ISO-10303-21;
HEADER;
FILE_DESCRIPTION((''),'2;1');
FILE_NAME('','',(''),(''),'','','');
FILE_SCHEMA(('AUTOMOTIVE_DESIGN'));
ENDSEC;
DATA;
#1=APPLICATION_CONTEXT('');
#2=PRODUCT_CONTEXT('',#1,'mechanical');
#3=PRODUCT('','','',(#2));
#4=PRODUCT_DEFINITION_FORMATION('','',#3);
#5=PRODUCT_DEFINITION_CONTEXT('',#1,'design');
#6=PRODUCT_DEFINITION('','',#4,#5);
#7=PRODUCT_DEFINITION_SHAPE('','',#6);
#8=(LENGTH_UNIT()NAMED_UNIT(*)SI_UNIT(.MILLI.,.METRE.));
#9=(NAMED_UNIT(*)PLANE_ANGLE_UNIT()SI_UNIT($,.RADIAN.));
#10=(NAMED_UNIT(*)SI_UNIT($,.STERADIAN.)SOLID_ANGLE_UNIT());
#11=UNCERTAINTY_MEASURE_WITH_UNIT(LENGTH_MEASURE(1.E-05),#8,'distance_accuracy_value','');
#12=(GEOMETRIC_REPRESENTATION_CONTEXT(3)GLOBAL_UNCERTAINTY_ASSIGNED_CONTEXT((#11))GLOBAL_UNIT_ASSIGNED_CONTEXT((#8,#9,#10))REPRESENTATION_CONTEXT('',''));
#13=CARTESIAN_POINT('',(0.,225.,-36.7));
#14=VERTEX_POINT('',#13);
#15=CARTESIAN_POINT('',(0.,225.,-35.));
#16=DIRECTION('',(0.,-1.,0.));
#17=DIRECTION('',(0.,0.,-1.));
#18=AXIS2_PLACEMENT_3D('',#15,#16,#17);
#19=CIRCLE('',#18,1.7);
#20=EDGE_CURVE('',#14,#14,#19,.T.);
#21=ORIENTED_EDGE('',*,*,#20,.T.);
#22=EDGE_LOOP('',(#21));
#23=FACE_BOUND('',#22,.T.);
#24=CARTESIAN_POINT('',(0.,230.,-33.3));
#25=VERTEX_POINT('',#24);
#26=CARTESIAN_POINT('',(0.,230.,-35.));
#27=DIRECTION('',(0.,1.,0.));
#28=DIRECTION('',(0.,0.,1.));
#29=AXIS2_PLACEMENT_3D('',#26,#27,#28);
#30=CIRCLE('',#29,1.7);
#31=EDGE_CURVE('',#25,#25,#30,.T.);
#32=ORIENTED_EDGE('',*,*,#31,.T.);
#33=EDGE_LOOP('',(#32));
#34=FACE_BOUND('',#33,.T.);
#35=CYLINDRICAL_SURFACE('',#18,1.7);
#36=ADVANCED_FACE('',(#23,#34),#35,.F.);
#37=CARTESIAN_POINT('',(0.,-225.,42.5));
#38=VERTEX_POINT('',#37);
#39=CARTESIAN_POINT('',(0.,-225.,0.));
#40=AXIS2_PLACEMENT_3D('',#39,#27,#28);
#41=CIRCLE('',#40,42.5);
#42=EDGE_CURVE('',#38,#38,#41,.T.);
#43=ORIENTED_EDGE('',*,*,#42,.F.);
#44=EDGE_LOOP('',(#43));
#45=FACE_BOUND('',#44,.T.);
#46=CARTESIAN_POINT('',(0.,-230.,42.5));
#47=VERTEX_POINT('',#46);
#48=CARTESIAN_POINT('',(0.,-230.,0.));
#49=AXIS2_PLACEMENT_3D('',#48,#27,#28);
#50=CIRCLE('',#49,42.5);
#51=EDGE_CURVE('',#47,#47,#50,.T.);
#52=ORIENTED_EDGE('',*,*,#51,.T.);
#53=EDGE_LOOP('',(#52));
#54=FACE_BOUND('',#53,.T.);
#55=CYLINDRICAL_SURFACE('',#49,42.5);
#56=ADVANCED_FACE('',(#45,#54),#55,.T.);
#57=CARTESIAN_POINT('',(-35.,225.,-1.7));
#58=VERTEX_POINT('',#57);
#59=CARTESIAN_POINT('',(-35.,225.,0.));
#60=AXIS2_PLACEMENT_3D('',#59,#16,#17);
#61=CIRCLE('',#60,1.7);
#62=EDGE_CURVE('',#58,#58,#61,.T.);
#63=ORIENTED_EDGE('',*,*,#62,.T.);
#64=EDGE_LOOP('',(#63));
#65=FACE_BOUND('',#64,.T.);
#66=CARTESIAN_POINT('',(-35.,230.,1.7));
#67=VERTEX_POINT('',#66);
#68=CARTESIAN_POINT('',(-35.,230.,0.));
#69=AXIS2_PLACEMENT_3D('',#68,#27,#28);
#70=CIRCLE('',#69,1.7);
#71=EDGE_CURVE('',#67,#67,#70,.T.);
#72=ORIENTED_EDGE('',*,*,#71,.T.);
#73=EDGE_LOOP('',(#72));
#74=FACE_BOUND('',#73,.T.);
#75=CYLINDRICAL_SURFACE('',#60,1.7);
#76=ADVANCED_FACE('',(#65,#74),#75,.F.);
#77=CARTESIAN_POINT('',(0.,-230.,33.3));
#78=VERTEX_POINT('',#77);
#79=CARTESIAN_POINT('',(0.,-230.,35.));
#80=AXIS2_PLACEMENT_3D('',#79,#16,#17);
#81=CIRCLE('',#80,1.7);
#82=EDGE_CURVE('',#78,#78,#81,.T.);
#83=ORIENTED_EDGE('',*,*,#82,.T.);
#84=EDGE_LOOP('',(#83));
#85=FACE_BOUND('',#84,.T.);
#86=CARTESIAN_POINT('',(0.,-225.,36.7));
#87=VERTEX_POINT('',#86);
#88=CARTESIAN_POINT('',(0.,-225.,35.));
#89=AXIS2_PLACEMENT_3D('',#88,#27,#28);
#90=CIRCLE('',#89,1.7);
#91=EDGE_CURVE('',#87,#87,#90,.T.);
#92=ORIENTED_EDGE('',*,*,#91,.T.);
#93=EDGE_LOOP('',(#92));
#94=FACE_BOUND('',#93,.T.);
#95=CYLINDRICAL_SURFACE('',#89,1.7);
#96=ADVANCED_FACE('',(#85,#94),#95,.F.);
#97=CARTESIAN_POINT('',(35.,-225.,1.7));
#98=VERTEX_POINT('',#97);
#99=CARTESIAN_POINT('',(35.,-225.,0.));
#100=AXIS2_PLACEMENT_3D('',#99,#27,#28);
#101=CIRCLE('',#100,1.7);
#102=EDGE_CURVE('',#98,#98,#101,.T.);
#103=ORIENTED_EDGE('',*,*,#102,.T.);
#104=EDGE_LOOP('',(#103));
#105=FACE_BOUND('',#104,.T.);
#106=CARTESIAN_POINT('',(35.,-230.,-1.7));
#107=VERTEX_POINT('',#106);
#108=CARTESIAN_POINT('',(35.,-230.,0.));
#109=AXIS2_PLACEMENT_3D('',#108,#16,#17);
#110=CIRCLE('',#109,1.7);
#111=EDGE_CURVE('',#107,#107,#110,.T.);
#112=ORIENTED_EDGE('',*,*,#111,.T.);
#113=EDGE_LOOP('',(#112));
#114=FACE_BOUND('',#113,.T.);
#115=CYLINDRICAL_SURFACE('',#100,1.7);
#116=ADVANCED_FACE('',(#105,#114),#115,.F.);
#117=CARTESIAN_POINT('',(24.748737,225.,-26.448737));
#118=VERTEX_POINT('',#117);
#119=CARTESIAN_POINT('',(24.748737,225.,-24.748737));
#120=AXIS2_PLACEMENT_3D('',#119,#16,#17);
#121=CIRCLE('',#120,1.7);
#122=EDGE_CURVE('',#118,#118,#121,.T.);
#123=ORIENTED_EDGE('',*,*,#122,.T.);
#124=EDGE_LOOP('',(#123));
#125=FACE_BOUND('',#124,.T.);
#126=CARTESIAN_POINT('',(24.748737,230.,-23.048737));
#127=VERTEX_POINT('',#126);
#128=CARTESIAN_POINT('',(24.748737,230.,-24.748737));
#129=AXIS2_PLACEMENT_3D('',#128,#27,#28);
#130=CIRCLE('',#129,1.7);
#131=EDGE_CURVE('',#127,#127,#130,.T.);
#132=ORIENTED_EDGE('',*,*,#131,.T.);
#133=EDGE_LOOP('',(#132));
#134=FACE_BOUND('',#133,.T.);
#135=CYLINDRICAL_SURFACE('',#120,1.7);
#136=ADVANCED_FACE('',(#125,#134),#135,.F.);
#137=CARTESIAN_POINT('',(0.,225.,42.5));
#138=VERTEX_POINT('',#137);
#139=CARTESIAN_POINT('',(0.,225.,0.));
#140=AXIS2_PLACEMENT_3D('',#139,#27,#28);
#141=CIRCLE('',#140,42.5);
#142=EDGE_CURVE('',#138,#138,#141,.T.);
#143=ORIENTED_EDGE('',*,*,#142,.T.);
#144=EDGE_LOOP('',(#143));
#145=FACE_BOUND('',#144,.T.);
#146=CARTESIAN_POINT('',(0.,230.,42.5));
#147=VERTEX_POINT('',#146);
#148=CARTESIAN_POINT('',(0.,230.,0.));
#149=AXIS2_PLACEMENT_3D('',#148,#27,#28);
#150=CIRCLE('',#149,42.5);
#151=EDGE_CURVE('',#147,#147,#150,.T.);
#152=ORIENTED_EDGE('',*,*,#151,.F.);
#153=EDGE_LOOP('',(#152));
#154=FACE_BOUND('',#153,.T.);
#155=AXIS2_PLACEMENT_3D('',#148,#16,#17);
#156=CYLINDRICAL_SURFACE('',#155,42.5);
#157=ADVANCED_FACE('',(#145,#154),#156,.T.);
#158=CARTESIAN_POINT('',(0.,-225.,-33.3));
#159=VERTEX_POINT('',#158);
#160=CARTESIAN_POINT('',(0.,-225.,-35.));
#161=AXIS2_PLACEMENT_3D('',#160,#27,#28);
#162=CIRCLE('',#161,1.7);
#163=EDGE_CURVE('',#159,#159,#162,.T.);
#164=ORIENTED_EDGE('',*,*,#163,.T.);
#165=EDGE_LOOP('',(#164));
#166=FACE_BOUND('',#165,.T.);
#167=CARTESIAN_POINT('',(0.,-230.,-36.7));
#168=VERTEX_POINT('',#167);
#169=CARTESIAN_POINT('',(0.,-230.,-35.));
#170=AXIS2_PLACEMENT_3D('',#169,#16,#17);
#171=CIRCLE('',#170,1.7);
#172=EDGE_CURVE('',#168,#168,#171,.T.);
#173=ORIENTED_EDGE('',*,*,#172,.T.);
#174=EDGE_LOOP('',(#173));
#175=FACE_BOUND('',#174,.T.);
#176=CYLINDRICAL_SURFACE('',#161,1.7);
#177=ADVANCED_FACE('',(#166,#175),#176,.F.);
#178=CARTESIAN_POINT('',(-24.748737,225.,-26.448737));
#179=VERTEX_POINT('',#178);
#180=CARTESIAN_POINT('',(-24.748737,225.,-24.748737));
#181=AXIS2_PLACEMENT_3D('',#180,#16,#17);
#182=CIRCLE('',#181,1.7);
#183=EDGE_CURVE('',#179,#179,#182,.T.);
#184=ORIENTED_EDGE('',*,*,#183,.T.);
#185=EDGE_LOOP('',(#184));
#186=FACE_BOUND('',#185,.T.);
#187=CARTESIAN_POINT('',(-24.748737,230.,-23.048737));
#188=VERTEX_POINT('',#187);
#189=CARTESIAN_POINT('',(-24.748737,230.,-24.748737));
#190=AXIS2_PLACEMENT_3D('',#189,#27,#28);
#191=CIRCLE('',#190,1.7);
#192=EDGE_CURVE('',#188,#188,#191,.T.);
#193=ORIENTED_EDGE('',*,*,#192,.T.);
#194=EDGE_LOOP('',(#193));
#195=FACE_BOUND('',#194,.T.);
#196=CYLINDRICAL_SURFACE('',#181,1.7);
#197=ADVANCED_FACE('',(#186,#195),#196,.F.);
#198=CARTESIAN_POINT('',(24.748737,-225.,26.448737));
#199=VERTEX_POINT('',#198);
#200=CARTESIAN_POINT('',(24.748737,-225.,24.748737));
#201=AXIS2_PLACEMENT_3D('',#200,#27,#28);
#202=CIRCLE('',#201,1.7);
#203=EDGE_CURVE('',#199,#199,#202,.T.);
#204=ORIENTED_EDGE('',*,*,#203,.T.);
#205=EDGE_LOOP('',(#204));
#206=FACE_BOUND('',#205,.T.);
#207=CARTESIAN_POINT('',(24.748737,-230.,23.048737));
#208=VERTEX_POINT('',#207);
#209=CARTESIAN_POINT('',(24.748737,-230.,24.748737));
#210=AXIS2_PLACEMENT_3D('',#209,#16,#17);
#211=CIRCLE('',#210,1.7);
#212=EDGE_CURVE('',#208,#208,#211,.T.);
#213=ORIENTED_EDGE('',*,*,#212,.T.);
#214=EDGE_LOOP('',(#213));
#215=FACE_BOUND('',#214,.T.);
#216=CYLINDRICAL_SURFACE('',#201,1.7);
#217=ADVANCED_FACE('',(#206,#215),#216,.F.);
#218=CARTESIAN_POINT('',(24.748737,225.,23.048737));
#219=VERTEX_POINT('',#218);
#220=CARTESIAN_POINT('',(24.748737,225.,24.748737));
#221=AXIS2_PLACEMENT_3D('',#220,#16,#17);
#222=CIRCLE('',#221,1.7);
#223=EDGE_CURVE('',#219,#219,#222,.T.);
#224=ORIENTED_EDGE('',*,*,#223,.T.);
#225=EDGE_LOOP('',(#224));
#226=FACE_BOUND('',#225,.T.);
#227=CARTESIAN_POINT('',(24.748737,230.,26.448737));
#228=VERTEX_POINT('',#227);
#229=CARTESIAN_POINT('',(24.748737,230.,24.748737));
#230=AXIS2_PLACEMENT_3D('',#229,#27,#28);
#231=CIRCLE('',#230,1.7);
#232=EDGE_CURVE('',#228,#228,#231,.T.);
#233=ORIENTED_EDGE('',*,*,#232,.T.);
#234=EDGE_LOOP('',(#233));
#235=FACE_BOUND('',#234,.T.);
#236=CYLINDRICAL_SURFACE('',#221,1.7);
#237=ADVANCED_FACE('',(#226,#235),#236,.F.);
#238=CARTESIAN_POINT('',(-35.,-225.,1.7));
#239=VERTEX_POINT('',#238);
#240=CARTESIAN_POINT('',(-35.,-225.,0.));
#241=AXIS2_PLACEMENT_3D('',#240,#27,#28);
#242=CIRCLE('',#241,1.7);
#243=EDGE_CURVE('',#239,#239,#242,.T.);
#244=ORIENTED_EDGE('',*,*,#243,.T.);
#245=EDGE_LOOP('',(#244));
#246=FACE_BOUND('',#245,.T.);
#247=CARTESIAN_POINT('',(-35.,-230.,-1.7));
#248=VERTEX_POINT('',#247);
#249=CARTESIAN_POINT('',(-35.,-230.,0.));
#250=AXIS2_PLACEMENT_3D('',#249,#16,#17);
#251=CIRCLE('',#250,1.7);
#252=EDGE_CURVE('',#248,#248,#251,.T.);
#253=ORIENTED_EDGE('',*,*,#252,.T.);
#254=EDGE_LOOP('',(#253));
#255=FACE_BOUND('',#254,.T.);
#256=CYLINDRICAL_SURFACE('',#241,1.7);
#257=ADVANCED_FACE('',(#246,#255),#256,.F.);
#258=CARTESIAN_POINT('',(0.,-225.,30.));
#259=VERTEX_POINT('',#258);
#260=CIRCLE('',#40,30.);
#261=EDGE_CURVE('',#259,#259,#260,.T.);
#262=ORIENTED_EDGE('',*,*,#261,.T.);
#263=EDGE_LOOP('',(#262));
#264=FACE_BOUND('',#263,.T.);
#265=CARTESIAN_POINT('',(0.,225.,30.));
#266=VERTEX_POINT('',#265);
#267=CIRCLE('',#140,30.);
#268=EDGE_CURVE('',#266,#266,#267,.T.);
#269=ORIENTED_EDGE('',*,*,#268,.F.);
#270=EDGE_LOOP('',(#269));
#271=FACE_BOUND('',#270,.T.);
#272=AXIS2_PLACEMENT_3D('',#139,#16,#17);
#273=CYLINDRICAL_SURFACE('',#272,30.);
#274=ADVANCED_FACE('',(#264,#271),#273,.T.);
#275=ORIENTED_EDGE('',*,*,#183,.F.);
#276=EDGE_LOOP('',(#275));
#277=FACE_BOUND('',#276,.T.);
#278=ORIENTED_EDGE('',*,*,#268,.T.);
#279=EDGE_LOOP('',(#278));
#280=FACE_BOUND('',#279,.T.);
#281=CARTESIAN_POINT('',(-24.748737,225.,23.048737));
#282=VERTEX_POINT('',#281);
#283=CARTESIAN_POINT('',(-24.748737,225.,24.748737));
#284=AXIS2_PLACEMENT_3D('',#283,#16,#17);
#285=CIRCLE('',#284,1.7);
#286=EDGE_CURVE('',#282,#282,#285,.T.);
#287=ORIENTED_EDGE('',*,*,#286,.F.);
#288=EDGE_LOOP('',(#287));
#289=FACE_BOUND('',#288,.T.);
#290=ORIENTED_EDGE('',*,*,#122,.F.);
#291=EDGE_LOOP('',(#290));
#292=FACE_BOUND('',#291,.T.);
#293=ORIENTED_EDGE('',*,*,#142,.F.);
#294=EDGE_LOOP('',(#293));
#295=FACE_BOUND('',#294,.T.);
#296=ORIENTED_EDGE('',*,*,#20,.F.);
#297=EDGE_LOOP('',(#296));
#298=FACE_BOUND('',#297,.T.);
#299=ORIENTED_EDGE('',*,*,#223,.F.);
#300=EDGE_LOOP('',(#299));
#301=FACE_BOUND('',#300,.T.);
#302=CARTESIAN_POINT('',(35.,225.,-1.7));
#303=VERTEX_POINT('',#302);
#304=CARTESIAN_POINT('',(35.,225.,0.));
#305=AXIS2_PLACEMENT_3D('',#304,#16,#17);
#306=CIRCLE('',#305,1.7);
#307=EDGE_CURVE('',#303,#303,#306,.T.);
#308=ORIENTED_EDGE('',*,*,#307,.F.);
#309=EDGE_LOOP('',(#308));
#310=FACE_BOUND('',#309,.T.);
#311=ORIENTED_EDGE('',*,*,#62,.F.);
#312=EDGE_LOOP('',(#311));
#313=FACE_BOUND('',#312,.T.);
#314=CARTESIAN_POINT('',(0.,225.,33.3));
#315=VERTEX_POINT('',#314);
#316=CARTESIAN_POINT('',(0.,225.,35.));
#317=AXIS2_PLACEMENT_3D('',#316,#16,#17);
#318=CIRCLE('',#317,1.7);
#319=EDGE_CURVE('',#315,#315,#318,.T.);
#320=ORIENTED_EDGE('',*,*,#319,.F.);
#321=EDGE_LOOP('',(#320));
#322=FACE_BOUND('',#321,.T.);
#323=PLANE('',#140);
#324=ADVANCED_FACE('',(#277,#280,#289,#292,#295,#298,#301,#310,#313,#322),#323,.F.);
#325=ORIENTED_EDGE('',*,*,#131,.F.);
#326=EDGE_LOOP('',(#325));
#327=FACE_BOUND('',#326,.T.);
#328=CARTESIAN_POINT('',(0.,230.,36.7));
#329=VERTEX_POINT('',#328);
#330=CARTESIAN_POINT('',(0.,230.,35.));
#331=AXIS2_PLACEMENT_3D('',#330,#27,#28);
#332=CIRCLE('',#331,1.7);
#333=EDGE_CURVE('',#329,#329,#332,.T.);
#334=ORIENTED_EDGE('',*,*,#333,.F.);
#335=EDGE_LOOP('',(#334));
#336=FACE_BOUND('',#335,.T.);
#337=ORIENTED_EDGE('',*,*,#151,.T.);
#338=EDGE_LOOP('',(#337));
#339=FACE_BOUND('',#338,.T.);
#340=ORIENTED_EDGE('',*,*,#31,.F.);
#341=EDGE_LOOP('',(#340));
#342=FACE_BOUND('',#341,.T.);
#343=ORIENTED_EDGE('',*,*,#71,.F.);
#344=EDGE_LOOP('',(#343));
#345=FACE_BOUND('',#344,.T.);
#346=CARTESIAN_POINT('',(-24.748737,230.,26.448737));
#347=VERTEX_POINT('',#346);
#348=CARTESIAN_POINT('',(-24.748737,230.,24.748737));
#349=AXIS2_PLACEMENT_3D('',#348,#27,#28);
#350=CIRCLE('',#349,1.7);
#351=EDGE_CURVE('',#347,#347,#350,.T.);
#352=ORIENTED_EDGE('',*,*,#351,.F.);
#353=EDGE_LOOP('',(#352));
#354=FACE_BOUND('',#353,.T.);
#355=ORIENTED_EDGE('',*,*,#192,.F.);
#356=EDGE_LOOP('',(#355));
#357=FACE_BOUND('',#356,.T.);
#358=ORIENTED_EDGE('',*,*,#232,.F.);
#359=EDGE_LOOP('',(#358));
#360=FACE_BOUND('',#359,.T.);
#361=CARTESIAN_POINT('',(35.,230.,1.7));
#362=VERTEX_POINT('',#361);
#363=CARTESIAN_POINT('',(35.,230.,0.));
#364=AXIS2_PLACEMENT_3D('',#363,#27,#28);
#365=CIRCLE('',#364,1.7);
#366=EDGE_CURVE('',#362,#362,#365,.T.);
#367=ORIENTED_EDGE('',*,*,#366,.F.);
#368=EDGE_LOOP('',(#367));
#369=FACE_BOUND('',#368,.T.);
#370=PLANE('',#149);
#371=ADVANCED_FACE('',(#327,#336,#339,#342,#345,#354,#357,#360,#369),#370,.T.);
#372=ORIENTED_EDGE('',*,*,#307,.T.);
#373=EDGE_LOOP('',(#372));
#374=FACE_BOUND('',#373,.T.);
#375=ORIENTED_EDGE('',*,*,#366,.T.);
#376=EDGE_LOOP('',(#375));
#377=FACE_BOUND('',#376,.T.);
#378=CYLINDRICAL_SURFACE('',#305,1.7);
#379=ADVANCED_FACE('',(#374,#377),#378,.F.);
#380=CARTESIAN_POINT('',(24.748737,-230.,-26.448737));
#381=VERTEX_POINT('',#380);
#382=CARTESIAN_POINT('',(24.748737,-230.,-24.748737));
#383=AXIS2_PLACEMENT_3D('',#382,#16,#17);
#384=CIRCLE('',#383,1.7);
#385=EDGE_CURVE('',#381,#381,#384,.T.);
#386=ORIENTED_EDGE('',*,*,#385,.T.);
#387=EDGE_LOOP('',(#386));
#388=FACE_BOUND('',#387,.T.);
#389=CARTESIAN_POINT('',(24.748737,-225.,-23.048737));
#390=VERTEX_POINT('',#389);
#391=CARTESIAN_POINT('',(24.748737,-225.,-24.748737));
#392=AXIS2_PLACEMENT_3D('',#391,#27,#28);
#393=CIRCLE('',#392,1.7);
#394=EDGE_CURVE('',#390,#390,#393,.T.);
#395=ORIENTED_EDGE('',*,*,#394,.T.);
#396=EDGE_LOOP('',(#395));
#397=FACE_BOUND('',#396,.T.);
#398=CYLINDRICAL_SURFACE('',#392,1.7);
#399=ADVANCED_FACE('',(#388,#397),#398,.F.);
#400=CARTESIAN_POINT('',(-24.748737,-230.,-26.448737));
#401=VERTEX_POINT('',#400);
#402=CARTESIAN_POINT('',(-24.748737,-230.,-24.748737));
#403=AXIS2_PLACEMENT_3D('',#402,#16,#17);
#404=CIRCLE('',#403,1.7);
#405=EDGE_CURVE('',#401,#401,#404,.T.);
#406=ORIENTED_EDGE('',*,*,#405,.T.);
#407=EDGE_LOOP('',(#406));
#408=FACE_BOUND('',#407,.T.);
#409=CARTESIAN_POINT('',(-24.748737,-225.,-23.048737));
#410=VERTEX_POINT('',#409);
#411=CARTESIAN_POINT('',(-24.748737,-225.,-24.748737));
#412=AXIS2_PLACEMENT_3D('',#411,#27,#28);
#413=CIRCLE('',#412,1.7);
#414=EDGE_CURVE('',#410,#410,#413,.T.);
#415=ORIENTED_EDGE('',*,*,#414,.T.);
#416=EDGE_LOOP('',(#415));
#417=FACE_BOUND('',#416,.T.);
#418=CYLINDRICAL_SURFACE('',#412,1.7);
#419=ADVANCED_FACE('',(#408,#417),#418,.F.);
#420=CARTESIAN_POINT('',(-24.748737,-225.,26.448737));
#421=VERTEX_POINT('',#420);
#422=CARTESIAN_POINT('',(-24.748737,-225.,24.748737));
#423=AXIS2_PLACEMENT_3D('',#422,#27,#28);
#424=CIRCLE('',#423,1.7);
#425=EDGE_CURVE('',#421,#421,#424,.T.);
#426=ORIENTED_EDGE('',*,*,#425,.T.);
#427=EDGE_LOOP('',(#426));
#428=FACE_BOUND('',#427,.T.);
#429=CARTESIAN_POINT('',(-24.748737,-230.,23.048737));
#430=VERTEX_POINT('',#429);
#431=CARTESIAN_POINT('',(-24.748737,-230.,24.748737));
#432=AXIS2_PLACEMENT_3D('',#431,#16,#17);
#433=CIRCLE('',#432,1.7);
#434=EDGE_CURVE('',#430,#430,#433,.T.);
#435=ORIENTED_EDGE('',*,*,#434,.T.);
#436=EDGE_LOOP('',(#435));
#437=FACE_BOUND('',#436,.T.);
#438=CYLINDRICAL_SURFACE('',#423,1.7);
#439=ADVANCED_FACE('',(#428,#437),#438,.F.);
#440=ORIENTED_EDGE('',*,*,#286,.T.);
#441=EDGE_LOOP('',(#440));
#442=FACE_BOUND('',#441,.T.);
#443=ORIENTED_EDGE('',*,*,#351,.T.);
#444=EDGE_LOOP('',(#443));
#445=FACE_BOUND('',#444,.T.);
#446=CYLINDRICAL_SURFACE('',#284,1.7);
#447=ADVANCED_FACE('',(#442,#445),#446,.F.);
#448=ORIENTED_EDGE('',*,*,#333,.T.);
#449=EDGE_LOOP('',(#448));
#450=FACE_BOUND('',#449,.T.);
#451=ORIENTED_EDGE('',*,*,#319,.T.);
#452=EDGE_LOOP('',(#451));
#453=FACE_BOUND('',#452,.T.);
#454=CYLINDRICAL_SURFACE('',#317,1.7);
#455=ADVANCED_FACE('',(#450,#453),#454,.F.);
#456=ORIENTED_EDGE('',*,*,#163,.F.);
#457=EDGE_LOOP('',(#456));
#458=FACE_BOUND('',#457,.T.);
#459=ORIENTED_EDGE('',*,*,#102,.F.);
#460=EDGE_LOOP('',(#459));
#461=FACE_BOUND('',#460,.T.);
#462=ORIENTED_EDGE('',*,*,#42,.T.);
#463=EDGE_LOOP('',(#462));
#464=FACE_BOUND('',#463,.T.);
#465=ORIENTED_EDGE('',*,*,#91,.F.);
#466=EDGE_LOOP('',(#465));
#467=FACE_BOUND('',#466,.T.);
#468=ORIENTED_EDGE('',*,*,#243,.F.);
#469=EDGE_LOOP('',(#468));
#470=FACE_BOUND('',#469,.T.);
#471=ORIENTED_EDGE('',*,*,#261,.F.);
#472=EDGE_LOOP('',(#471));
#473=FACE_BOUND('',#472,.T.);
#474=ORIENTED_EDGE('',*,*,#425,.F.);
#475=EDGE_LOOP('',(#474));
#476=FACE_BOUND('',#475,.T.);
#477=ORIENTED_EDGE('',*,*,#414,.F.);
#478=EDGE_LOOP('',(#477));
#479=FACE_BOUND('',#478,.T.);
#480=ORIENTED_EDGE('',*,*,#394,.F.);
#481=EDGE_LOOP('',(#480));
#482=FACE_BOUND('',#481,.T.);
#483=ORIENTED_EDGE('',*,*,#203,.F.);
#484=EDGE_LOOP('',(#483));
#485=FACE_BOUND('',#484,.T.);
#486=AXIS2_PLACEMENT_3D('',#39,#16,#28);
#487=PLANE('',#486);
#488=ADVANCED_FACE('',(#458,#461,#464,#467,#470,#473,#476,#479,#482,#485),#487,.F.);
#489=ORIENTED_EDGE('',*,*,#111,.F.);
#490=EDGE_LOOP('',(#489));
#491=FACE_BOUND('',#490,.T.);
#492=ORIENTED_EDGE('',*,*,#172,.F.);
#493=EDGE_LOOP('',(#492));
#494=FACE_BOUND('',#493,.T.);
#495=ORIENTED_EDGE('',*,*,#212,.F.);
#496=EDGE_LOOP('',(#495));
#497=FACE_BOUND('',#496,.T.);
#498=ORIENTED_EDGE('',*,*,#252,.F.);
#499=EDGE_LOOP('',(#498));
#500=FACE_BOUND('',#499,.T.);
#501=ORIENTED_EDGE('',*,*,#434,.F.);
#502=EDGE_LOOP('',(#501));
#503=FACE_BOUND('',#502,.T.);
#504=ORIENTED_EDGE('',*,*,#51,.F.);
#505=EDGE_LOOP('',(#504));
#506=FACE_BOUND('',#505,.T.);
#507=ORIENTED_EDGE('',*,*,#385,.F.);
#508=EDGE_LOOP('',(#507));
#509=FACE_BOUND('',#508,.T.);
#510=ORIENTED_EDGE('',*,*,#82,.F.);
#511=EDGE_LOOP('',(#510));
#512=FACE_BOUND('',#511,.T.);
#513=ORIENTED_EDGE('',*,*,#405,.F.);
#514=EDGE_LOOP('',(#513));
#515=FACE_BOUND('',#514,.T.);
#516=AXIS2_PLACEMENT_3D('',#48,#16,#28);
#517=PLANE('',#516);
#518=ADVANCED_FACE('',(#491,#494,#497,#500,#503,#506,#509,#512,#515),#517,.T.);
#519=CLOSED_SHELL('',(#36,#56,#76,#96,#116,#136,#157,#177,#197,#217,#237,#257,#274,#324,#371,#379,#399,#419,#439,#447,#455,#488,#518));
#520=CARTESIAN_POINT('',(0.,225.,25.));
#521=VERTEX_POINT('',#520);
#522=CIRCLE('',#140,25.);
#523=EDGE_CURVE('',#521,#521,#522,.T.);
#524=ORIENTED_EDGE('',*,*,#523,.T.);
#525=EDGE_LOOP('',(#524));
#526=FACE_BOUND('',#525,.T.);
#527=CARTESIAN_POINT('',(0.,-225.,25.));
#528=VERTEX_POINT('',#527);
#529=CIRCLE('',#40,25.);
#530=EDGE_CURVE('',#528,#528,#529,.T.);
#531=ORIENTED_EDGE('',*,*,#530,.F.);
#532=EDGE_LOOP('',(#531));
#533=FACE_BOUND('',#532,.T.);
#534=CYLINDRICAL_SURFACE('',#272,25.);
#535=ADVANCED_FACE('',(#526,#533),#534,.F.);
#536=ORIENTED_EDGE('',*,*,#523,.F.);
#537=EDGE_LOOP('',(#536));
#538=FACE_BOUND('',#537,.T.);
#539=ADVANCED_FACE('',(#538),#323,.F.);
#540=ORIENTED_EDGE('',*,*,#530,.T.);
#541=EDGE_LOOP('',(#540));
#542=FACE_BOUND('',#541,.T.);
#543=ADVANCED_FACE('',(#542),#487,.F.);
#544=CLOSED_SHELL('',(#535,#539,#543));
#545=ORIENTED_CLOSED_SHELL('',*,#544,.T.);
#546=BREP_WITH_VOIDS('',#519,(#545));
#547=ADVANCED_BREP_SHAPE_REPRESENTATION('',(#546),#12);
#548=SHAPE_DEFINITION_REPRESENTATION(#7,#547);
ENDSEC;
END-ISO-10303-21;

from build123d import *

# Parameters (mm, degrees)
CROQUIS1_R                   = 30
CROQUIS1_R_2                 = 25
SALIENTE_EXTRUIR1_DEPTH      = 225
CROQUIS2_R                   = 42.5
SALIENTE_EXTRUIR2_DEPTH      = 5
TALADRO_DE_MARGEN_PARA_M31_D = 3.4


with BuildPart() as part:
    # Croquis1 → Saliente-Extruir1 (new, symmetric)
    with BuildSketch(Plane(origin=(0, 0, 0), x_dir=(1, 0, 0), z_dir=(0, 1, 0))):
        with Locations(Location((0, 0, 0), (0, 0, 270))):
            Circle(CROQUIS1_R)
        with Locations(Location((0, 0, 0), (0, 0, 270))):
            Circle(CROQUIS1_R_2, mode=Mode.SUBTRACT)
    extrude(amount=SALIENTE_EXTRUIR1_DEPTH, both=True)

    # Croquis2 → Saliente-Extruir2 (add)
    with BuildSketch(Plane(origin=(0, 225, 0), x_dir=(1, 0, 0), z_dir=(0, 1, 0))):
        with Locations(Location((0, 0, 0), (0, 0, 270))):
            Circle(CROQUIS2_R)
    saliente_extruir2 = extrude(amount=SALIENTE_EXTRUIR2_DEPTH)

    # Taladro de margen para M31 (through all)
    with Locations(Plane(origin=(0, 225, 0), x_dir=(-1, 0, 0), z_dir=(0, -1, 0))):
        with Locations((0, -35), (-24.748737342, -24.748737342), (-35, 0), (-24.748737342, 24.748737342), (0, 35), (24.748737342, 24.748737342), (35, 0), (24.748737342, -24.748737342)):
            taladro_de_margen_para_m31 = Hole(TALADRO_DE_MARGEN_PARA_M31_D / 2)

    # Simetría1: Saliente-Extruir2, Taladro de margen para M31 across plane
    add(saliente_extruir2.mirror(Plane.ZX))
    add(taladro_de_margen_para_m31.mirror(Plane.ZX), mode=Mode.SUBTRACT)


solid = part.part
